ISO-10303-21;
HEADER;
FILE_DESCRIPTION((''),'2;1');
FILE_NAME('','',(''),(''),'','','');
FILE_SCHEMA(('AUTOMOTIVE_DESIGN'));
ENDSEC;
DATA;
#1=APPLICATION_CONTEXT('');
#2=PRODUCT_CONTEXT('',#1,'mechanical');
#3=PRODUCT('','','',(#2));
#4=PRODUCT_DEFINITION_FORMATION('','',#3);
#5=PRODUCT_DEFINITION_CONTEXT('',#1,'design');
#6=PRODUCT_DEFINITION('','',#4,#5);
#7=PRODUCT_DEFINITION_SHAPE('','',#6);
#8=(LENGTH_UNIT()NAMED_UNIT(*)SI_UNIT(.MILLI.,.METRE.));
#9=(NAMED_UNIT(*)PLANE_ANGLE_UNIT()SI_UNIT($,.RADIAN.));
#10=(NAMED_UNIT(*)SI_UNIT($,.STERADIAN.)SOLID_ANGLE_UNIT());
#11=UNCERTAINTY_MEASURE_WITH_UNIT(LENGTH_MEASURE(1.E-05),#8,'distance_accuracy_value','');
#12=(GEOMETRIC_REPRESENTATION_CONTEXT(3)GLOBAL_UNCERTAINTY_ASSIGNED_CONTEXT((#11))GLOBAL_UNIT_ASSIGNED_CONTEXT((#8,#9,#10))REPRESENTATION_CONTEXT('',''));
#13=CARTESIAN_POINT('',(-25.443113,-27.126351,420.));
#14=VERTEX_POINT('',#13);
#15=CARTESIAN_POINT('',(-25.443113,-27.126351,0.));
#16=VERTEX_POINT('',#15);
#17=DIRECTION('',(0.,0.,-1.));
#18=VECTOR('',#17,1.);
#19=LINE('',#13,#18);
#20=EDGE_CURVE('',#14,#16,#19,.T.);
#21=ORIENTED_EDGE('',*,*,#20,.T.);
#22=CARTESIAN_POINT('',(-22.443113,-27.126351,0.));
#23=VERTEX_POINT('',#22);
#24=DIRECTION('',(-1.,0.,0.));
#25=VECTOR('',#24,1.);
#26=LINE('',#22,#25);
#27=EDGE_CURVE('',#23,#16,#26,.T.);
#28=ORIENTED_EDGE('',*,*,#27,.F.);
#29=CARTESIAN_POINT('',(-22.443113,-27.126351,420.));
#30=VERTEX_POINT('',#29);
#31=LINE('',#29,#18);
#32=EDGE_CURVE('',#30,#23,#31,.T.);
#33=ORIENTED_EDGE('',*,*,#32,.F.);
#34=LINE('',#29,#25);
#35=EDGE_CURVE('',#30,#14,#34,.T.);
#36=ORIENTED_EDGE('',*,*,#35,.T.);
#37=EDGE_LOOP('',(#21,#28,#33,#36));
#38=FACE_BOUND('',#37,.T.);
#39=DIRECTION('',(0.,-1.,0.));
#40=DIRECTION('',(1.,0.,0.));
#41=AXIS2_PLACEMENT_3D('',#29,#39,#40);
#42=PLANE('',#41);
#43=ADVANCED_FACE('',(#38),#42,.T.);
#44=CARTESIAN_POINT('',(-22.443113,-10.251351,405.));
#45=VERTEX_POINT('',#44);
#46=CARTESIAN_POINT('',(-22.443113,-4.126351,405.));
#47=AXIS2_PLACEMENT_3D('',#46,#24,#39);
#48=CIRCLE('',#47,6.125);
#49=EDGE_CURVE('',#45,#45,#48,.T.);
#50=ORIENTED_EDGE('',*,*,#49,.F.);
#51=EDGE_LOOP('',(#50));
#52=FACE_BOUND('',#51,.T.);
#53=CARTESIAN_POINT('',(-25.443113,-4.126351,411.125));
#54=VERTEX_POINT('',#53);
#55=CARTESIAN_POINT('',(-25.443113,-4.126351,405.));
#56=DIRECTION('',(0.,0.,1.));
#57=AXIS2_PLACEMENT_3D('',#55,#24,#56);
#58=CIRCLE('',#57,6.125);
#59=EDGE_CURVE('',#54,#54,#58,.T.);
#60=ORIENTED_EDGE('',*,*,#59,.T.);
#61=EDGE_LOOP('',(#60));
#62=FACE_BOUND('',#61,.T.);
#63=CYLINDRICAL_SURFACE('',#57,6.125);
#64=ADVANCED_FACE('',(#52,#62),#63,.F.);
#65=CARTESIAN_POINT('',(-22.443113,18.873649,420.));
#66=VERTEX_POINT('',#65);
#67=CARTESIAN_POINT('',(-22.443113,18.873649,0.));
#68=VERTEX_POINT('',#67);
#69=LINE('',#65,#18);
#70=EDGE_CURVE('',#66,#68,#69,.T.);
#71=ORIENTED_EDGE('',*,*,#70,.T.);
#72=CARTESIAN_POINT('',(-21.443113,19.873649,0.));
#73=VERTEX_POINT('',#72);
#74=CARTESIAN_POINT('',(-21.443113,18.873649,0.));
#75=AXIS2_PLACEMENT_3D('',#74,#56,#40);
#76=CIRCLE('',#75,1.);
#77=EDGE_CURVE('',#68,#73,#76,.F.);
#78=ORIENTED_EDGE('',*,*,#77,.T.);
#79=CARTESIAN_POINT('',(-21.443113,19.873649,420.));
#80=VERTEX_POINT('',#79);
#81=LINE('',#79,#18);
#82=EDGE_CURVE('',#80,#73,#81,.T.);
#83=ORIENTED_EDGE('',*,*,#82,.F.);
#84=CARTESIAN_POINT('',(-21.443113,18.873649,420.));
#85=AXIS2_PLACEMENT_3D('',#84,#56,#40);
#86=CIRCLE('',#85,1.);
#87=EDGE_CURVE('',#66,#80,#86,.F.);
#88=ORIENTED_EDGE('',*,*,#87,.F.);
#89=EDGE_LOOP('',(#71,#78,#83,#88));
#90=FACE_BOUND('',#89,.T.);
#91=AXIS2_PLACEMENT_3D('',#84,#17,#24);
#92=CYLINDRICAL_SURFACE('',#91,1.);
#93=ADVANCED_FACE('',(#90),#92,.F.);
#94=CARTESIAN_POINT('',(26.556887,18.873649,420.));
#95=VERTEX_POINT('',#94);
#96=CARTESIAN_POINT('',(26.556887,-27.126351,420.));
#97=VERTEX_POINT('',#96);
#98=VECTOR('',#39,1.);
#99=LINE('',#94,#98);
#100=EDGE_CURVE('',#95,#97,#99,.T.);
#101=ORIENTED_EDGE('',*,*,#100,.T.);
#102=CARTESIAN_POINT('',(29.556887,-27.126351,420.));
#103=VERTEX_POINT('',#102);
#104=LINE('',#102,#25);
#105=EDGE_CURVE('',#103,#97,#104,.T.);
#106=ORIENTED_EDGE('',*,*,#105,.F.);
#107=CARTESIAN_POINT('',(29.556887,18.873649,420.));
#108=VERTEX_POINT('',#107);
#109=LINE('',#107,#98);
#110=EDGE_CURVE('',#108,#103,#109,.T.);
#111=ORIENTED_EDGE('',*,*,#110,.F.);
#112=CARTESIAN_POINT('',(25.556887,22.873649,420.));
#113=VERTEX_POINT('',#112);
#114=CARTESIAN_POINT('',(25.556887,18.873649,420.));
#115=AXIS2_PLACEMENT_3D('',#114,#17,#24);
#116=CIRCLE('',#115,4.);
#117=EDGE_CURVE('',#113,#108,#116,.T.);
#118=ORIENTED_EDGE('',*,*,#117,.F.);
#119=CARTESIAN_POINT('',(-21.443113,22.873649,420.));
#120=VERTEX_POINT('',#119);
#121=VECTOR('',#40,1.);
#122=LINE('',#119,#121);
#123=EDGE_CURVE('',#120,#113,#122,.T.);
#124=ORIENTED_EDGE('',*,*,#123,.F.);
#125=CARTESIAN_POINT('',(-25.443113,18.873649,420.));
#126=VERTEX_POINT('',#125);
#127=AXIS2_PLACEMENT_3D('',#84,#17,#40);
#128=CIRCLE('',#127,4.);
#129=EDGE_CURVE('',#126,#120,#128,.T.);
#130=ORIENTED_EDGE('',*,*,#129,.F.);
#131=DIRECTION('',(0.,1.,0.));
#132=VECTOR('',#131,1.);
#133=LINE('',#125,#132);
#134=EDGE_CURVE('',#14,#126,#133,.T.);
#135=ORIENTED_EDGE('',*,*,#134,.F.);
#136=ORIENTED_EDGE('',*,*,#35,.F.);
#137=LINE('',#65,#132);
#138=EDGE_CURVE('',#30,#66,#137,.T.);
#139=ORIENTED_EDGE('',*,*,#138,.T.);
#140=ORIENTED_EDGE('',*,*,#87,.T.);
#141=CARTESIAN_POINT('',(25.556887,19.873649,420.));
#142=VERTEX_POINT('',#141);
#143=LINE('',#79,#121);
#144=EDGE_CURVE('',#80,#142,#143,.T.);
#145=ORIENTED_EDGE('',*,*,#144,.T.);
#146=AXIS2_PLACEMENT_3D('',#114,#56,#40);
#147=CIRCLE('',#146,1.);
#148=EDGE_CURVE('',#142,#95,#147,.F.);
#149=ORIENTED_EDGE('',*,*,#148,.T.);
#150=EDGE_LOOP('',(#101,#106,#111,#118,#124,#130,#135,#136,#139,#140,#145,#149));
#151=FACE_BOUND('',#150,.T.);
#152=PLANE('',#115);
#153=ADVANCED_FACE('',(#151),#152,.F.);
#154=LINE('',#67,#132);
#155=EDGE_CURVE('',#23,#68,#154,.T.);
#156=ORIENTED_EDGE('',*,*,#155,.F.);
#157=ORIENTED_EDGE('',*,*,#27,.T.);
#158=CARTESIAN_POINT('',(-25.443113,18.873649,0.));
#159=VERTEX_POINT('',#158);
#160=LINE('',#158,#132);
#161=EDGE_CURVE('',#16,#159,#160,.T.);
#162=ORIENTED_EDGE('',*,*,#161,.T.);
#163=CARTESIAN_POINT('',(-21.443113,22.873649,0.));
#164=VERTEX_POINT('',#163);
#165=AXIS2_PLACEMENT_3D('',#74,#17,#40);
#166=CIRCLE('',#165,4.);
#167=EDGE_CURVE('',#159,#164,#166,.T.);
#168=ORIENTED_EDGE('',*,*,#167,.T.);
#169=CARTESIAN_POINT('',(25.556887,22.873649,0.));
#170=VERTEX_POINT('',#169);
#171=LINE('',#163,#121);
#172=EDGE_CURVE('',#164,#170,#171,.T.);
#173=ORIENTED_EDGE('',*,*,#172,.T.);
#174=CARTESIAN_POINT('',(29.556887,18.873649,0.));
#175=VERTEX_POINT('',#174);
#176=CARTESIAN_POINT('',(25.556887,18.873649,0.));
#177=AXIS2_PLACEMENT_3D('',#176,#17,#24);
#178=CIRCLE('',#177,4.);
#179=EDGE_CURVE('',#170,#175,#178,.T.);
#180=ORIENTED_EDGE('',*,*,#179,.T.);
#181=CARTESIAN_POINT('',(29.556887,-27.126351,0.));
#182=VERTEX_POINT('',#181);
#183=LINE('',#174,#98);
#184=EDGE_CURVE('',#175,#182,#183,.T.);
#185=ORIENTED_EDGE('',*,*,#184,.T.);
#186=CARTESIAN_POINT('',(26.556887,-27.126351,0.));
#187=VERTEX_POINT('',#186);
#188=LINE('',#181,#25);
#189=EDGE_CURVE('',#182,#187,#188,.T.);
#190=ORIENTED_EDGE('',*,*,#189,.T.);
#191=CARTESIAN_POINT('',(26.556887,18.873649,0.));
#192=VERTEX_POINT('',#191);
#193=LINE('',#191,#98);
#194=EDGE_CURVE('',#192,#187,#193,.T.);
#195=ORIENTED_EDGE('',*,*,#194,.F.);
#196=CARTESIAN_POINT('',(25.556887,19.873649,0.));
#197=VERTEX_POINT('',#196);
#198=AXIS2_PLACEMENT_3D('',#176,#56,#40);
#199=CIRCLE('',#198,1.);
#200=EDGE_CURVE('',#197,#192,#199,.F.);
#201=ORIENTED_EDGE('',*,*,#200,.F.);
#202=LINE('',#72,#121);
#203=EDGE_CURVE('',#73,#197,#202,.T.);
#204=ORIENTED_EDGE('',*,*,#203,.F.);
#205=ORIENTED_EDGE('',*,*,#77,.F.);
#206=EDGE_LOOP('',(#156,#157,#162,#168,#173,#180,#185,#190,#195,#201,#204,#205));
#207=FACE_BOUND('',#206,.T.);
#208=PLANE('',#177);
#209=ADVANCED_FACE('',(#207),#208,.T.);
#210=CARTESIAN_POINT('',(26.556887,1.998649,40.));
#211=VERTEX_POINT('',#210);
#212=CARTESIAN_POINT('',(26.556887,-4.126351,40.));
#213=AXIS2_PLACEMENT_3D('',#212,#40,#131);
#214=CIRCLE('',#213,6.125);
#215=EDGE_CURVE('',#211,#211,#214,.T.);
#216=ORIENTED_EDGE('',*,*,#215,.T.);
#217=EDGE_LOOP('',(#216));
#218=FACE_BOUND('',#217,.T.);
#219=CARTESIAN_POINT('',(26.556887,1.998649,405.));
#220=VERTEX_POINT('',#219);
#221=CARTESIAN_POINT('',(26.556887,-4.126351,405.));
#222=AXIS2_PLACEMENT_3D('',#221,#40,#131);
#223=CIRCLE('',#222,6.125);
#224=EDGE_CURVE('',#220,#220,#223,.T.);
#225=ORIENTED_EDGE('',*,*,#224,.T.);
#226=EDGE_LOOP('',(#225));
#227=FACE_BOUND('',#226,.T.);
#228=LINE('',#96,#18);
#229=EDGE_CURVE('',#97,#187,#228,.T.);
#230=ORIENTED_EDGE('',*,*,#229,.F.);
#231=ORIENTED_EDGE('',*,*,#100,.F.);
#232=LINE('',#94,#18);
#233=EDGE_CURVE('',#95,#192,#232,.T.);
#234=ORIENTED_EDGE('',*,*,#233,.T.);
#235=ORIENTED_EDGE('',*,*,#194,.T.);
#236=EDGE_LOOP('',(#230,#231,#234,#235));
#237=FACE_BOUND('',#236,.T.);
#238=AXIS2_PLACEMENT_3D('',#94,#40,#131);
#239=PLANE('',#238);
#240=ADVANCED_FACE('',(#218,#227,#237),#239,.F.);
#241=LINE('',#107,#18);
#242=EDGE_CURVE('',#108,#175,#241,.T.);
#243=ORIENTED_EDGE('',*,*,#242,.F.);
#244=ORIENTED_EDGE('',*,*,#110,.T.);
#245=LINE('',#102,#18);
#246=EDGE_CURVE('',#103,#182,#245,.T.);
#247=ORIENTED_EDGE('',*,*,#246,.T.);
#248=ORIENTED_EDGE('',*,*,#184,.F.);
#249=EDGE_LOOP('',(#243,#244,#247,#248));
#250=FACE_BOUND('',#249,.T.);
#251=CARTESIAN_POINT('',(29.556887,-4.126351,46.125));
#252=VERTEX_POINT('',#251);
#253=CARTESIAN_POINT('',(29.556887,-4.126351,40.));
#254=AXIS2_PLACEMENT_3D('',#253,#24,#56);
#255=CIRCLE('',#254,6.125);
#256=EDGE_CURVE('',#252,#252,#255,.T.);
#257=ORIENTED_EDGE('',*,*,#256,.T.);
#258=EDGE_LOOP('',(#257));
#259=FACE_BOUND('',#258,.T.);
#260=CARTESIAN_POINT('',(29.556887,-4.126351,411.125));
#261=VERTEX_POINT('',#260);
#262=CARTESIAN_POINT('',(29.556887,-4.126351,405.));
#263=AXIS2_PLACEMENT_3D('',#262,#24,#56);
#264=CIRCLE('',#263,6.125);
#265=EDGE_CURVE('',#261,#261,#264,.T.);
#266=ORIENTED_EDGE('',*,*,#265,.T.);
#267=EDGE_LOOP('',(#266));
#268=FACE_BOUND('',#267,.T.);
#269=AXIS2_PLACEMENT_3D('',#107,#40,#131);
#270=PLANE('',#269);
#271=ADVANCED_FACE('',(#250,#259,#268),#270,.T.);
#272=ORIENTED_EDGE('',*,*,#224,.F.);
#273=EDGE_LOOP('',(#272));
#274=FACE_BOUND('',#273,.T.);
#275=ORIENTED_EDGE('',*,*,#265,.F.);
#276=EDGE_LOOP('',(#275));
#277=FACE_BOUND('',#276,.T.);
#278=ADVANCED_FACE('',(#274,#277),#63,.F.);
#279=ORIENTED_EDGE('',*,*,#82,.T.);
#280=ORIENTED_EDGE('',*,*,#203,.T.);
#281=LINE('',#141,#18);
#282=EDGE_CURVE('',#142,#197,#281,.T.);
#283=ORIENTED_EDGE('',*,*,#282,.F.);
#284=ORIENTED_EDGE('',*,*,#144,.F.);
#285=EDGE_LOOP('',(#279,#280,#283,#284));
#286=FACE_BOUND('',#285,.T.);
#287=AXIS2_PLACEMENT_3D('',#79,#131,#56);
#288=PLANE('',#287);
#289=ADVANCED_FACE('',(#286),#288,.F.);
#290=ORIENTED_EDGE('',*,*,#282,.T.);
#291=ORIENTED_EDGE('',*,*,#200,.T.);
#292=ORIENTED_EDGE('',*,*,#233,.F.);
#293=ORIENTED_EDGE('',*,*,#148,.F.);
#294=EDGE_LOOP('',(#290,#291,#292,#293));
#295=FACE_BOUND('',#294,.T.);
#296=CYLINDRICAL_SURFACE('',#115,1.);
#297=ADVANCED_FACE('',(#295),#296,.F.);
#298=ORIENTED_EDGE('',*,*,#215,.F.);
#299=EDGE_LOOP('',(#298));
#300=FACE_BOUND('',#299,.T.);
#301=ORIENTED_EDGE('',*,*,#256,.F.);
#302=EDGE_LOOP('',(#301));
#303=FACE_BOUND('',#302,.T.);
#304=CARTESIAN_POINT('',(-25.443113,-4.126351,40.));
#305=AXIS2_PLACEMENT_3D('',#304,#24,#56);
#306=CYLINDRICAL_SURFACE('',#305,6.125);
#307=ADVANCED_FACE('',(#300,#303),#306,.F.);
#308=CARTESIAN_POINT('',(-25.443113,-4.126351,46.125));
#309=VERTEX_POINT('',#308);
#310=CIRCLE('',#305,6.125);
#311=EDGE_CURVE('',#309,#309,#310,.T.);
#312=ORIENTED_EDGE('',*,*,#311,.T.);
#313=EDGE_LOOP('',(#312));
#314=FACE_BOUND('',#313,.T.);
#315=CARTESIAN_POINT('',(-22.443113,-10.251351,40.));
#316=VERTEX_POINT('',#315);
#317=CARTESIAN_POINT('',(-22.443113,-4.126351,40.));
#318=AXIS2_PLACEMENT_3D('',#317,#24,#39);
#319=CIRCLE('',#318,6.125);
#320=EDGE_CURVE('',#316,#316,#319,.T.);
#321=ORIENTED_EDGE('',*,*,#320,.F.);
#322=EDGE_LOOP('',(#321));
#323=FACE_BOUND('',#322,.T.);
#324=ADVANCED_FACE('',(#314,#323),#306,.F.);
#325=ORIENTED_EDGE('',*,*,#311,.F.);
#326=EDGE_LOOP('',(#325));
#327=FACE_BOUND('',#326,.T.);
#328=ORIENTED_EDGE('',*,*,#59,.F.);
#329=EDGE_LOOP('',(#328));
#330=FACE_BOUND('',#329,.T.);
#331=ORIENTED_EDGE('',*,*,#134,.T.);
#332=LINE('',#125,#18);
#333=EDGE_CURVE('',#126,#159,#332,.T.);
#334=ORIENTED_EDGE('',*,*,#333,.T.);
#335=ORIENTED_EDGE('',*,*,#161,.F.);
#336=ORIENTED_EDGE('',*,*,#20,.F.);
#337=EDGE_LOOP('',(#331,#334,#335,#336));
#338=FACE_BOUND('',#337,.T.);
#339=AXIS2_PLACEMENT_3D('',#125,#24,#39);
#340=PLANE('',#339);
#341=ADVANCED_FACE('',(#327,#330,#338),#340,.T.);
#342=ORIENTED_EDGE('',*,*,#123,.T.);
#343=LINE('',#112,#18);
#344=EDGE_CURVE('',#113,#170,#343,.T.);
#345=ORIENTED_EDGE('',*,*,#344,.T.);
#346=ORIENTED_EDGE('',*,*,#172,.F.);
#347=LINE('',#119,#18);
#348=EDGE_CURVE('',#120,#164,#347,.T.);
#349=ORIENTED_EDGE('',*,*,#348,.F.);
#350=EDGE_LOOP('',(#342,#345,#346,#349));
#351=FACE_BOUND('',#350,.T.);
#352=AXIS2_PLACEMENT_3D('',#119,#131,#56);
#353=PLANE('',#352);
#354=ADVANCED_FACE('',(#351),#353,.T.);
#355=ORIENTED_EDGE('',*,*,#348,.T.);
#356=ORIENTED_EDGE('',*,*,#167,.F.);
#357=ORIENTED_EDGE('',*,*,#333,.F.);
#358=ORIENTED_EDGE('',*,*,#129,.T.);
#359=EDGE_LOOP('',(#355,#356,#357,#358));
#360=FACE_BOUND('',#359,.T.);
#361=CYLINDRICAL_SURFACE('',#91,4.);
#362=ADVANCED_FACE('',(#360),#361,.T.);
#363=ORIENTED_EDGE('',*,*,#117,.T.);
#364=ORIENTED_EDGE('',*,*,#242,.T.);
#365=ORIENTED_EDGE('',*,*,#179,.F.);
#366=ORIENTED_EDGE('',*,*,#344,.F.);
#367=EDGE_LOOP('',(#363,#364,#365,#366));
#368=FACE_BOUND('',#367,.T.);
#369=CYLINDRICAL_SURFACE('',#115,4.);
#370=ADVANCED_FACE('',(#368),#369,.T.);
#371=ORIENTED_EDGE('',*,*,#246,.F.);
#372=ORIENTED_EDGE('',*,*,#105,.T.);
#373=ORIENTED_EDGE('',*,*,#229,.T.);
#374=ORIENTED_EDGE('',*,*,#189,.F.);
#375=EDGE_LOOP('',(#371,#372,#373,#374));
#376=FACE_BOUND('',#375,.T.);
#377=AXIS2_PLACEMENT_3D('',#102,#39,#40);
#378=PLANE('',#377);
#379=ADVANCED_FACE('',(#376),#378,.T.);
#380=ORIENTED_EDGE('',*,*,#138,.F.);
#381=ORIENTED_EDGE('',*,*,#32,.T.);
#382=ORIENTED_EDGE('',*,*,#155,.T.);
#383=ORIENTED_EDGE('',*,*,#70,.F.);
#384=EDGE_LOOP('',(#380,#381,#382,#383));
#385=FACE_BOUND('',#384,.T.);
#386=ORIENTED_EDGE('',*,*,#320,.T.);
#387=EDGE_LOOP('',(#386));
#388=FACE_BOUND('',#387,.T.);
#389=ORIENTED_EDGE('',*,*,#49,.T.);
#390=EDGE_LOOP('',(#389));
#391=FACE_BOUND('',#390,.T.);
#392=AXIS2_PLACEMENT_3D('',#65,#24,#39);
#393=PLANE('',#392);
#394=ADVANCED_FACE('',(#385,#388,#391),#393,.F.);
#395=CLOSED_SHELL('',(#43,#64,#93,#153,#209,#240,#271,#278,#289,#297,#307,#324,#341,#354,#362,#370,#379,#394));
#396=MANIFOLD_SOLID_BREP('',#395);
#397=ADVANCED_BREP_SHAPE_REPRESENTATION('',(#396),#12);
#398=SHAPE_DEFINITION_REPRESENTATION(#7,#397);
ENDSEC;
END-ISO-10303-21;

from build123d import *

# Parameters (mm, degrees)
EKSTR_ZYON_NCE6_DEPTH                 = 420
M12_HELISARMAL_I_IN_Z_VANA_MATKAB_2_D = 12.25
M12_HELISARMAL_I_IN_Z_VANA_MATKAB_1_D = 12.25


with BuildPart() as part:
    # Çizim1 → Ekstrüzyon-İnce6 (new body)
    with BuildSketch(Plane.XY):
        with BuildLine():
            Line((-25.44311251, -27.126351083), (-25.44311251, 18.873648917))
            ThreePointArc((-25.44311251, 18.873648917), (-24.271539634, 21.702076041), (-21.44311251, 22.873648917))
            Line((-21.44311251, 22.873648917), (25.55688749, 22.873648917))
            ThreePointArc((25.55688749, 22.873648917), (28.385314615, 21.702076041), (29.55688749, 18.873648917))
            Line((29.55688749, 18.873648917), (29.55688749, -27.126351083))
            Line((29.55688749, -27.126351083), (26.55688749, -27.126351083))
            Line((26.55688749, -27.126351083), (26.55688749, 18.873648917))
            ThreePointArc((26.55688749, 18.873648917), (26.263994271, 19.580755698), (25.55688749, 19.873648917))
            Line((25.55688749, 19.873648917), (-21.44311251, 19.873648917))
            ThreePointArc((-21.44311251, 19.873648917), (-22.150219291, 19.580755698), (-22.44311251, 18.873648917))
            Line((-22.44311251, 18.873648917), (-22.44311251, -27.126351083))
            Line((-22.44311251, -27.126351083), (-25.44311251, -27.126351083))
        make_face()
    extrude(amount=EKSTR_ZYON_NCE6_DEPTH)

    # M12 Helisarmal için Zıvana matkabı2 (through all)
    with Locations(Plane.ZY.offset(25.44311251)):
        with Locations((40, -4.126351083)):
            Hole(M12_HELISARMAL_I_IN_Z_VANA_MATKAB_2_D / 2)

    # M12 Helisarmal için Zıvana matkabı1 (through all)
    with Locations(Plane.ZY.offset(25.44311251)):
        with Locations((405, -4.126351083)):
            Hole(M12_HELISARMAL_I_IN_Z_VANA_MATKAB_1_D / 2)


solid = part.part
